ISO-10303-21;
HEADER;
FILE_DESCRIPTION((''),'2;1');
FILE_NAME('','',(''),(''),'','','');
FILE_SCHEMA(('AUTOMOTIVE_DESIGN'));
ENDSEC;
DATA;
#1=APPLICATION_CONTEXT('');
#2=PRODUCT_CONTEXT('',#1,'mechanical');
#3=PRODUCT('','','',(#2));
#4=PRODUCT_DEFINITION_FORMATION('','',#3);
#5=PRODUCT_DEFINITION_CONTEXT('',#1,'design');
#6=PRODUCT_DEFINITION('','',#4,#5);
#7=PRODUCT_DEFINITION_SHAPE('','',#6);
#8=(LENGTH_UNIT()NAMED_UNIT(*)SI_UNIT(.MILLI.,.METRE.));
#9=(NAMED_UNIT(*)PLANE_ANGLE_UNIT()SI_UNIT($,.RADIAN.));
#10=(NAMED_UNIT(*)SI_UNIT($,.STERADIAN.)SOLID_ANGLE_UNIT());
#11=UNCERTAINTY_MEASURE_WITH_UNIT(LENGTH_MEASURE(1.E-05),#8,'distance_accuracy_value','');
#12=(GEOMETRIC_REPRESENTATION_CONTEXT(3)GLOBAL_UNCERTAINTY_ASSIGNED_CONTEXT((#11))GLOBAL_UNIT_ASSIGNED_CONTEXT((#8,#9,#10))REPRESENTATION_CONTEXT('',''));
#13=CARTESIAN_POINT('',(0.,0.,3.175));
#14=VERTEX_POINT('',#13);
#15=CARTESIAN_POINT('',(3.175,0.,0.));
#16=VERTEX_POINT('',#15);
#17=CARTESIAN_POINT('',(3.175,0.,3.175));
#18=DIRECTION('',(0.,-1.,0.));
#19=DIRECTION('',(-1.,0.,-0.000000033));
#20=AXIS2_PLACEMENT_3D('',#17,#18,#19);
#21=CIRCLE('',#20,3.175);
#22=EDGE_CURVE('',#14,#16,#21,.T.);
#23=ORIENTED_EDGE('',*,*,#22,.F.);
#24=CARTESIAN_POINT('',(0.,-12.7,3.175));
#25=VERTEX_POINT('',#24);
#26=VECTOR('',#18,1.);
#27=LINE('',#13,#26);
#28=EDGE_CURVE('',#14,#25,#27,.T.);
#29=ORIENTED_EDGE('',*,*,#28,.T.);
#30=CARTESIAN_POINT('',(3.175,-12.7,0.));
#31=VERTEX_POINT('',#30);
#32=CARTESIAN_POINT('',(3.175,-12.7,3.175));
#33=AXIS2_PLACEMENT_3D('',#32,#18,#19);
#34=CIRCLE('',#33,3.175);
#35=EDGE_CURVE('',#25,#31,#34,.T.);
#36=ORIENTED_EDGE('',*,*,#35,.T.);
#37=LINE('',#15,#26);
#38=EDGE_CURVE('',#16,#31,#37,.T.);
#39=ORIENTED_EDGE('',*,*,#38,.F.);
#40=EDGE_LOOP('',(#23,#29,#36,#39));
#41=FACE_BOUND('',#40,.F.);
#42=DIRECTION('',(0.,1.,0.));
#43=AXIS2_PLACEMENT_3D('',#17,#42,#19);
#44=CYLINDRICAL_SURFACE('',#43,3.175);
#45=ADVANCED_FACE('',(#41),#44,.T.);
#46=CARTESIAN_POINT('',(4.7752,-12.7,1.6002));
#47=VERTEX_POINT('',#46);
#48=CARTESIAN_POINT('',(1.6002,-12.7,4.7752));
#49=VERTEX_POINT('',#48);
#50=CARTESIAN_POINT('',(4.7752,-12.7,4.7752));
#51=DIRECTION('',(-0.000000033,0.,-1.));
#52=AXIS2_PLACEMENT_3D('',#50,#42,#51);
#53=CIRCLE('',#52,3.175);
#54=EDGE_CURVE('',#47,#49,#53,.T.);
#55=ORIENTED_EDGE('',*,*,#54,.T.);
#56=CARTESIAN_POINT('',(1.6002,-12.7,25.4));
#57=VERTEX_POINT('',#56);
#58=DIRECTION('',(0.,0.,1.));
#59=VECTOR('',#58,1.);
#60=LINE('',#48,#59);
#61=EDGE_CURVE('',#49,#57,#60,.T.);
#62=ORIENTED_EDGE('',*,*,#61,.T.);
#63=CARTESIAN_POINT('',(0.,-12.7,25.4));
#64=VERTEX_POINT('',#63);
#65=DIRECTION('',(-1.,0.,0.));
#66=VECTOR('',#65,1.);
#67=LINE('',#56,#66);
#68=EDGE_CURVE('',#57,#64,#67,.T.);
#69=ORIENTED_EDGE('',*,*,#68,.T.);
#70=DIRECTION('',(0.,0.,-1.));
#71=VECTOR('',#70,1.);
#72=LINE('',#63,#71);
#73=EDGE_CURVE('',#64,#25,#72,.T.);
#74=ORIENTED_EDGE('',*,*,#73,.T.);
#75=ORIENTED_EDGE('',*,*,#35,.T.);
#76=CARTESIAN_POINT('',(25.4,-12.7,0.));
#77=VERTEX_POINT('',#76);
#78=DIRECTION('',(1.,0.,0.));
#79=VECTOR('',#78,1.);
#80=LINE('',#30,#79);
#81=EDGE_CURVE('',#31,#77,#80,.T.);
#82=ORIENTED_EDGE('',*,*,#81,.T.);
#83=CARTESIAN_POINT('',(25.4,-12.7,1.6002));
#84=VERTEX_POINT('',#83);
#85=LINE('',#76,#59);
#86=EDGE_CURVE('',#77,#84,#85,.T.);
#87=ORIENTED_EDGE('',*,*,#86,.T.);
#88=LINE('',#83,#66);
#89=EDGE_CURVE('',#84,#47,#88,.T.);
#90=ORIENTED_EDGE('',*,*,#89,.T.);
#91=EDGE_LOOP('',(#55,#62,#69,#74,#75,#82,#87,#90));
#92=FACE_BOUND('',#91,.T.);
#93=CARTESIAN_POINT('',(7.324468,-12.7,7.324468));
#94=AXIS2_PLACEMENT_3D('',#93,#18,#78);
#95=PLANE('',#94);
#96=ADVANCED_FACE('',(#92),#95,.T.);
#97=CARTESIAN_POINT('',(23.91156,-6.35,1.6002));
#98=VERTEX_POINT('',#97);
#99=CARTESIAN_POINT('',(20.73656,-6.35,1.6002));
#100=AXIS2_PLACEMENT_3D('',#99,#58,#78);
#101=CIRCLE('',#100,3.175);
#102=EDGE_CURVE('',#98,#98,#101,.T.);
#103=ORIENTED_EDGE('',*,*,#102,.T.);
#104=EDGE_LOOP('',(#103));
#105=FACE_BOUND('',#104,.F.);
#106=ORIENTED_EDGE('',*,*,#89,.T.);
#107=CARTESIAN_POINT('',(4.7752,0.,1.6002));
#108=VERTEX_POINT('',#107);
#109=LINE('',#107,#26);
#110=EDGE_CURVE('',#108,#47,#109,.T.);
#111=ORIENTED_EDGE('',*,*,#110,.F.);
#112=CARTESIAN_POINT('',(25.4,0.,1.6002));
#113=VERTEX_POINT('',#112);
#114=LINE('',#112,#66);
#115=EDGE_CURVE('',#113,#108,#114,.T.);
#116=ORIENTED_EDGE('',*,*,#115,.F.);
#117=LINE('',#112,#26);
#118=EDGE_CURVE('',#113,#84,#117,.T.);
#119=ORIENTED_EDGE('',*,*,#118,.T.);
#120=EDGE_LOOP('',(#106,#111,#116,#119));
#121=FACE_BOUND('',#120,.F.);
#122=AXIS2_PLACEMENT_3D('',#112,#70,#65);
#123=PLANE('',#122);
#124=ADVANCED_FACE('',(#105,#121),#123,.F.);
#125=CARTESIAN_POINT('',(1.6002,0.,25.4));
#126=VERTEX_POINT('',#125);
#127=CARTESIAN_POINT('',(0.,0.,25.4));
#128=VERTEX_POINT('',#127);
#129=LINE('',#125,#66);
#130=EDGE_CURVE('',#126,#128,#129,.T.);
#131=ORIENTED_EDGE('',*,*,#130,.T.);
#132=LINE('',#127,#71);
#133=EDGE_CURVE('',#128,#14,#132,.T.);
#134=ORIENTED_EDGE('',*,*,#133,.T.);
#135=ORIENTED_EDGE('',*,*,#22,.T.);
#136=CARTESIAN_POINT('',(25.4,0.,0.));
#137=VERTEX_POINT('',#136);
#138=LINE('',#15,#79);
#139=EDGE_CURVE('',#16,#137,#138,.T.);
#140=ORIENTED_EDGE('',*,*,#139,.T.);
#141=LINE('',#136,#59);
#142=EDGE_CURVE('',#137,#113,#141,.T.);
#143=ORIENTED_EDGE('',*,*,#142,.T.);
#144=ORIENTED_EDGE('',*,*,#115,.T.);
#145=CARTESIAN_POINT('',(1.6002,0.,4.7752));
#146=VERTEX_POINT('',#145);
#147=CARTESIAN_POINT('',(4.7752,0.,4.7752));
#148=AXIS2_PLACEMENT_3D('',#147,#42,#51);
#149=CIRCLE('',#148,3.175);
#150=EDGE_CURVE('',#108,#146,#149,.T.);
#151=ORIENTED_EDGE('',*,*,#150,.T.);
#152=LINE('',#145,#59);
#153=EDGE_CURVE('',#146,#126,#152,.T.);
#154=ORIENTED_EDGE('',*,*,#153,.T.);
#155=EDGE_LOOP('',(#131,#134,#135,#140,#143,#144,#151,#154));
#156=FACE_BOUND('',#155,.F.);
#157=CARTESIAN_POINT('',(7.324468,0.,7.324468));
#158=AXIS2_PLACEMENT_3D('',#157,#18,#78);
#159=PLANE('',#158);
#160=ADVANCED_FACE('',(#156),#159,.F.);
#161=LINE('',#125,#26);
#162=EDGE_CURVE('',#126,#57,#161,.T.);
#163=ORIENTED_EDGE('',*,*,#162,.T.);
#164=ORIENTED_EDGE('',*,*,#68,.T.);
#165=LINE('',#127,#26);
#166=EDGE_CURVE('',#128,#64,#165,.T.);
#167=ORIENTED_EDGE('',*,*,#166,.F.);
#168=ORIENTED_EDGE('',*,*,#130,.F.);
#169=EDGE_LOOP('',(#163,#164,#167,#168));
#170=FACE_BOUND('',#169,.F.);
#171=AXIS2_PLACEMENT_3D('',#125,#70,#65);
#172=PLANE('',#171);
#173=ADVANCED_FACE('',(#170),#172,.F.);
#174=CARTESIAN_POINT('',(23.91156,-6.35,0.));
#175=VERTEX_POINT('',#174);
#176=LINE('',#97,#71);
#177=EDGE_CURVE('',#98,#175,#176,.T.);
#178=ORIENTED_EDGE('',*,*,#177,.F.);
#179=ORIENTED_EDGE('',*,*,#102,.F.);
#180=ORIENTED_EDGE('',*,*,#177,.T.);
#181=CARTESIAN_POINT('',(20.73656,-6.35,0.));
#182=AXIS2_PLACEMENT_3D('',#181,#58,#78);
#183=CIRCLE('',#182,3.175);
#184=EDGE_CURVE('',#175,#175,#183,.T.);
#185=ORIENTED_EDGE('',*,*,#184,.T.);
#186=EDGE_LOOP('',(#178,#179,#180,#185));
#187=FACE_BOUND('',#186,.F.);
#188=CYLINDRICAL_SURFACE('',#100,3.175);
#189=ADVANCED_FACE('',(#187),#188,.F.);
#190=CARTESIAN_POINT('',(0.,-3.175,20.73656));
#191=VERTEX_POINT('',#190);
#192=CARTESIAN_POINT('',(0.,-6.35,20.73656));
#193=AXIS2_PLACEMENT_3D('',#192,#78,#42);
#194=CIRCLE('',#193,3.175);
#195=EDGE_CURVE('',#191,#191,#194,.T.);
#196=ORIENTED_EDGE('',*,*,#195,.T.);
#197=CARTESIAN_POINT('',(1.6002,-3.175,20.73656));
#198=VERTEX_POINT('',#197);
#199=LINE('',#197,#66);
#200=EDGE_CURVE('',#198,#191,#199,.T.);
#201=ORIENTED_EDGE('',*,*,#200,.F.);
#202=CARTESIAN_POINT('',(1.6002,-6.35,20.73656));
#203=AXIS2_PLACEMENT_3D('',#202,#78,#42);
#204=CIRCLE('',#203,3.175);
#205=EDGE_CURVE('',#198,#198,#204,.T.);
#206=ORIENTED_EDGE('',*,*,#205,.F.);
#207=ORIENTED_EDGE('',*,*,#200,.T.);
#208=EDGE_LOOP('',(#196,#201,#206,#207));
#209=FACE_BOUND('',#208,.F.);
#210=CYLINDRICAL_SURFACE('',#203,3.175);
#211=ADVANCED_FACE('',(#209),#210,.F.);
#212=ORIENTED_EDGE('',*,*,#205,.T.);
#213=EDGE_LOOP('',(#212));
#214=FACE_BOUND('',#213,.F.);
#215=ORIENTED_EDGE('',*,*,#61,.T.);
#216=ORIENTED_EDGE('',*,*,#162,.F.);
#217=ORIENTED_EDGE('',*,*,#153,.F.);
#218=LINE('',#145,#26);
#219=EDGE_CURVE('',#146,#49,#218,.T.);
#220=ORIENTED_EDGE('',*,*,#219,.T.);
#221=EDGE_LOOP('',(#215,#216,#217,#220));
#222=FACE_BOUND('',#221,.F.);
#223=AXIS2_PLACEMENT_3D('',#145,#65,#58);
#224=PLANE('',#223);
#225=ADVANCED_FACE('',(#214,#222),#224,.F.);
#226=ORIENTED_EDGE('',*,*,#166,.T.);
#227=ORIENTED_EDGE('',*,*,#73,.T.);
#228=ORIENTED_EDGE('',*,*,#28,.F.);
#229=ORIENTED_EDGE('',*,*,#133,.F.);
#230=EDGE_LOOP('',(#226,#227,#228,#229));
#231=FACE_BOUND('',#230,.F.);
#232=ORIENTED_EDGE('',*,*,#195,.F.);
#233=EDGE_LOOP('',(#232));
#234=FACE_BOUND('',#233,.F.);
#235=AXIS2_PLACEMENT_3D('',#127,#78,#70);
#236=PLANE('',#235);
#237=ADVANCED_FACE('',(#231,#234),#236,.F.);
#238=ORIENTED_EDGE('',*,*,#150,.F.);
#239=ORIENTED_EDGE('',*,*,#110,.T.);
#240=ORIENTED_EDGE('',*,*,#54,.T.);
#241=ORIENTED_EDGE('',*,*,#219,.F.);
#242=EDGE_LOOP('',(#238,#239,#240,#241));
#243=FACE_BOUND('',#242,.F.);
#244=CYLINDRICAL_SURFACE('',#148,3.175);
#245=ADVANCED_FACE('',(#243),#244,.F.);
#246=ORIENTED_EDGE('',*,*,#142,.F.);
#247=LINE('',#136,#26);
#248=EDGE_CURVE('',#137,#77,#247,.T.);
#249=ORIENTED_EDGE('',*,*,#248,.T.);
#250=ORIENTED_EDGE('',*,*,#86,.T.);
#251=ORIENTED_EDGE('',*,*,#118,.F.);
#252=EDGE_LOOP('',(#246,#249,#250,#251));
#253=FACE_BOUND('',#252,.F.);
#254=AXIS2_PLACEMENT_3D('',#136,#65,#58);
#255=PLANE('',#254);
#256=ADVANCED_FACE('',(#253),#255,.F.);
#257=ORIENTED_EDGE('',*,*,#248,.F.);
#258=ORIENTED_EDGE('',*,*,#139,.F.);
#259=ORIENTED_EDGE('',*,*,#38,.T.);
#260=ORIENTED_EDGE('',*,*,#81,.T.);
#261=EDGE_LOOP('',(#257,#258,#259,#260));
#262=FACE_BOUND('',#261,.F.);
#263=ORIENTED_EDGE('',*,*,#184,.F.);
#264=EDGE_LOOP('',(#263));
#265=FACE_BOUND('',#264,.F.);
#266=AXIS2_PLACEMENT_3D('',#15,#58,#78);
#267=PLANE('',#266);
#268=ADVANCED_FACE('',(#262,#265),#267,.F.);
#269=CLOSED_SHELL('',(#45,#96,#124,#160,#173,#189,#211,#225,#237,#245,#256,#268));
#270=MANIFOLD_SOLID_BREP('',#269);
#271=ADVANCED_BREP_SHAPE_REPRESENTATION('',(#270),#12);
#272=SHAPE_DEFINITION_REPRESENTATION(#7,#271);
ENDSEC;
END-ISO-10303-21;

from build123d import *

# Parameters (mm, degrees)
F1_DEPTH = 12.7
F2_R     = 3.175
F3_DEPTH = 25.4
F4_R     = 3.175
F5_DEPTH = 25.4


with BuildPart() as f1:
    # F0 (on Front) → F1 (new body)
    with BuildSketch(Plane.XZ):
        with BuildLine():
            Line((0, 25.4), (0, 3.175))
            ThreePointArc((0, 3.175), (0.929936, 0.929936), (3.175, 0))
            Line((3.175, 0), (25.4, 0))
            Line((25.4, 0), (25.4, 1.6002))
            Line((25.4, 1.6002), (4.7752, 1.6002))
            ThreePointArc((4.7752, 1.6002), (2.530136, 2.530136), (1.6002, 4.7752))
            Line((1.6002, 4.7752), (1.6002, 25.4))
            Line((1.6002, 25.4), (0, 25.4))
        make_face()
    extrude(amount=F1_DEPTH)

    # F2 (on face) → F3 (cut)
    with BuildSketch(Plane.XY.offset(1.6002)):
        with Locations((20.73656, -6.35)):
            Circle(F2_R)
    extrude(amount=-F3_DEPTH, mode=Mode.SUBTRACT)

    # F4 (on face) → F5 (cut)
    with BuildSketch(Plane.YZ.offset(1.6002)):
        with Locations((-6.35, 20.73656)):
            Circle(F4_R)
    extrude(amount=-F5_DEPTH, mode=Mode.SUBTRACT)


solid = f1.part
